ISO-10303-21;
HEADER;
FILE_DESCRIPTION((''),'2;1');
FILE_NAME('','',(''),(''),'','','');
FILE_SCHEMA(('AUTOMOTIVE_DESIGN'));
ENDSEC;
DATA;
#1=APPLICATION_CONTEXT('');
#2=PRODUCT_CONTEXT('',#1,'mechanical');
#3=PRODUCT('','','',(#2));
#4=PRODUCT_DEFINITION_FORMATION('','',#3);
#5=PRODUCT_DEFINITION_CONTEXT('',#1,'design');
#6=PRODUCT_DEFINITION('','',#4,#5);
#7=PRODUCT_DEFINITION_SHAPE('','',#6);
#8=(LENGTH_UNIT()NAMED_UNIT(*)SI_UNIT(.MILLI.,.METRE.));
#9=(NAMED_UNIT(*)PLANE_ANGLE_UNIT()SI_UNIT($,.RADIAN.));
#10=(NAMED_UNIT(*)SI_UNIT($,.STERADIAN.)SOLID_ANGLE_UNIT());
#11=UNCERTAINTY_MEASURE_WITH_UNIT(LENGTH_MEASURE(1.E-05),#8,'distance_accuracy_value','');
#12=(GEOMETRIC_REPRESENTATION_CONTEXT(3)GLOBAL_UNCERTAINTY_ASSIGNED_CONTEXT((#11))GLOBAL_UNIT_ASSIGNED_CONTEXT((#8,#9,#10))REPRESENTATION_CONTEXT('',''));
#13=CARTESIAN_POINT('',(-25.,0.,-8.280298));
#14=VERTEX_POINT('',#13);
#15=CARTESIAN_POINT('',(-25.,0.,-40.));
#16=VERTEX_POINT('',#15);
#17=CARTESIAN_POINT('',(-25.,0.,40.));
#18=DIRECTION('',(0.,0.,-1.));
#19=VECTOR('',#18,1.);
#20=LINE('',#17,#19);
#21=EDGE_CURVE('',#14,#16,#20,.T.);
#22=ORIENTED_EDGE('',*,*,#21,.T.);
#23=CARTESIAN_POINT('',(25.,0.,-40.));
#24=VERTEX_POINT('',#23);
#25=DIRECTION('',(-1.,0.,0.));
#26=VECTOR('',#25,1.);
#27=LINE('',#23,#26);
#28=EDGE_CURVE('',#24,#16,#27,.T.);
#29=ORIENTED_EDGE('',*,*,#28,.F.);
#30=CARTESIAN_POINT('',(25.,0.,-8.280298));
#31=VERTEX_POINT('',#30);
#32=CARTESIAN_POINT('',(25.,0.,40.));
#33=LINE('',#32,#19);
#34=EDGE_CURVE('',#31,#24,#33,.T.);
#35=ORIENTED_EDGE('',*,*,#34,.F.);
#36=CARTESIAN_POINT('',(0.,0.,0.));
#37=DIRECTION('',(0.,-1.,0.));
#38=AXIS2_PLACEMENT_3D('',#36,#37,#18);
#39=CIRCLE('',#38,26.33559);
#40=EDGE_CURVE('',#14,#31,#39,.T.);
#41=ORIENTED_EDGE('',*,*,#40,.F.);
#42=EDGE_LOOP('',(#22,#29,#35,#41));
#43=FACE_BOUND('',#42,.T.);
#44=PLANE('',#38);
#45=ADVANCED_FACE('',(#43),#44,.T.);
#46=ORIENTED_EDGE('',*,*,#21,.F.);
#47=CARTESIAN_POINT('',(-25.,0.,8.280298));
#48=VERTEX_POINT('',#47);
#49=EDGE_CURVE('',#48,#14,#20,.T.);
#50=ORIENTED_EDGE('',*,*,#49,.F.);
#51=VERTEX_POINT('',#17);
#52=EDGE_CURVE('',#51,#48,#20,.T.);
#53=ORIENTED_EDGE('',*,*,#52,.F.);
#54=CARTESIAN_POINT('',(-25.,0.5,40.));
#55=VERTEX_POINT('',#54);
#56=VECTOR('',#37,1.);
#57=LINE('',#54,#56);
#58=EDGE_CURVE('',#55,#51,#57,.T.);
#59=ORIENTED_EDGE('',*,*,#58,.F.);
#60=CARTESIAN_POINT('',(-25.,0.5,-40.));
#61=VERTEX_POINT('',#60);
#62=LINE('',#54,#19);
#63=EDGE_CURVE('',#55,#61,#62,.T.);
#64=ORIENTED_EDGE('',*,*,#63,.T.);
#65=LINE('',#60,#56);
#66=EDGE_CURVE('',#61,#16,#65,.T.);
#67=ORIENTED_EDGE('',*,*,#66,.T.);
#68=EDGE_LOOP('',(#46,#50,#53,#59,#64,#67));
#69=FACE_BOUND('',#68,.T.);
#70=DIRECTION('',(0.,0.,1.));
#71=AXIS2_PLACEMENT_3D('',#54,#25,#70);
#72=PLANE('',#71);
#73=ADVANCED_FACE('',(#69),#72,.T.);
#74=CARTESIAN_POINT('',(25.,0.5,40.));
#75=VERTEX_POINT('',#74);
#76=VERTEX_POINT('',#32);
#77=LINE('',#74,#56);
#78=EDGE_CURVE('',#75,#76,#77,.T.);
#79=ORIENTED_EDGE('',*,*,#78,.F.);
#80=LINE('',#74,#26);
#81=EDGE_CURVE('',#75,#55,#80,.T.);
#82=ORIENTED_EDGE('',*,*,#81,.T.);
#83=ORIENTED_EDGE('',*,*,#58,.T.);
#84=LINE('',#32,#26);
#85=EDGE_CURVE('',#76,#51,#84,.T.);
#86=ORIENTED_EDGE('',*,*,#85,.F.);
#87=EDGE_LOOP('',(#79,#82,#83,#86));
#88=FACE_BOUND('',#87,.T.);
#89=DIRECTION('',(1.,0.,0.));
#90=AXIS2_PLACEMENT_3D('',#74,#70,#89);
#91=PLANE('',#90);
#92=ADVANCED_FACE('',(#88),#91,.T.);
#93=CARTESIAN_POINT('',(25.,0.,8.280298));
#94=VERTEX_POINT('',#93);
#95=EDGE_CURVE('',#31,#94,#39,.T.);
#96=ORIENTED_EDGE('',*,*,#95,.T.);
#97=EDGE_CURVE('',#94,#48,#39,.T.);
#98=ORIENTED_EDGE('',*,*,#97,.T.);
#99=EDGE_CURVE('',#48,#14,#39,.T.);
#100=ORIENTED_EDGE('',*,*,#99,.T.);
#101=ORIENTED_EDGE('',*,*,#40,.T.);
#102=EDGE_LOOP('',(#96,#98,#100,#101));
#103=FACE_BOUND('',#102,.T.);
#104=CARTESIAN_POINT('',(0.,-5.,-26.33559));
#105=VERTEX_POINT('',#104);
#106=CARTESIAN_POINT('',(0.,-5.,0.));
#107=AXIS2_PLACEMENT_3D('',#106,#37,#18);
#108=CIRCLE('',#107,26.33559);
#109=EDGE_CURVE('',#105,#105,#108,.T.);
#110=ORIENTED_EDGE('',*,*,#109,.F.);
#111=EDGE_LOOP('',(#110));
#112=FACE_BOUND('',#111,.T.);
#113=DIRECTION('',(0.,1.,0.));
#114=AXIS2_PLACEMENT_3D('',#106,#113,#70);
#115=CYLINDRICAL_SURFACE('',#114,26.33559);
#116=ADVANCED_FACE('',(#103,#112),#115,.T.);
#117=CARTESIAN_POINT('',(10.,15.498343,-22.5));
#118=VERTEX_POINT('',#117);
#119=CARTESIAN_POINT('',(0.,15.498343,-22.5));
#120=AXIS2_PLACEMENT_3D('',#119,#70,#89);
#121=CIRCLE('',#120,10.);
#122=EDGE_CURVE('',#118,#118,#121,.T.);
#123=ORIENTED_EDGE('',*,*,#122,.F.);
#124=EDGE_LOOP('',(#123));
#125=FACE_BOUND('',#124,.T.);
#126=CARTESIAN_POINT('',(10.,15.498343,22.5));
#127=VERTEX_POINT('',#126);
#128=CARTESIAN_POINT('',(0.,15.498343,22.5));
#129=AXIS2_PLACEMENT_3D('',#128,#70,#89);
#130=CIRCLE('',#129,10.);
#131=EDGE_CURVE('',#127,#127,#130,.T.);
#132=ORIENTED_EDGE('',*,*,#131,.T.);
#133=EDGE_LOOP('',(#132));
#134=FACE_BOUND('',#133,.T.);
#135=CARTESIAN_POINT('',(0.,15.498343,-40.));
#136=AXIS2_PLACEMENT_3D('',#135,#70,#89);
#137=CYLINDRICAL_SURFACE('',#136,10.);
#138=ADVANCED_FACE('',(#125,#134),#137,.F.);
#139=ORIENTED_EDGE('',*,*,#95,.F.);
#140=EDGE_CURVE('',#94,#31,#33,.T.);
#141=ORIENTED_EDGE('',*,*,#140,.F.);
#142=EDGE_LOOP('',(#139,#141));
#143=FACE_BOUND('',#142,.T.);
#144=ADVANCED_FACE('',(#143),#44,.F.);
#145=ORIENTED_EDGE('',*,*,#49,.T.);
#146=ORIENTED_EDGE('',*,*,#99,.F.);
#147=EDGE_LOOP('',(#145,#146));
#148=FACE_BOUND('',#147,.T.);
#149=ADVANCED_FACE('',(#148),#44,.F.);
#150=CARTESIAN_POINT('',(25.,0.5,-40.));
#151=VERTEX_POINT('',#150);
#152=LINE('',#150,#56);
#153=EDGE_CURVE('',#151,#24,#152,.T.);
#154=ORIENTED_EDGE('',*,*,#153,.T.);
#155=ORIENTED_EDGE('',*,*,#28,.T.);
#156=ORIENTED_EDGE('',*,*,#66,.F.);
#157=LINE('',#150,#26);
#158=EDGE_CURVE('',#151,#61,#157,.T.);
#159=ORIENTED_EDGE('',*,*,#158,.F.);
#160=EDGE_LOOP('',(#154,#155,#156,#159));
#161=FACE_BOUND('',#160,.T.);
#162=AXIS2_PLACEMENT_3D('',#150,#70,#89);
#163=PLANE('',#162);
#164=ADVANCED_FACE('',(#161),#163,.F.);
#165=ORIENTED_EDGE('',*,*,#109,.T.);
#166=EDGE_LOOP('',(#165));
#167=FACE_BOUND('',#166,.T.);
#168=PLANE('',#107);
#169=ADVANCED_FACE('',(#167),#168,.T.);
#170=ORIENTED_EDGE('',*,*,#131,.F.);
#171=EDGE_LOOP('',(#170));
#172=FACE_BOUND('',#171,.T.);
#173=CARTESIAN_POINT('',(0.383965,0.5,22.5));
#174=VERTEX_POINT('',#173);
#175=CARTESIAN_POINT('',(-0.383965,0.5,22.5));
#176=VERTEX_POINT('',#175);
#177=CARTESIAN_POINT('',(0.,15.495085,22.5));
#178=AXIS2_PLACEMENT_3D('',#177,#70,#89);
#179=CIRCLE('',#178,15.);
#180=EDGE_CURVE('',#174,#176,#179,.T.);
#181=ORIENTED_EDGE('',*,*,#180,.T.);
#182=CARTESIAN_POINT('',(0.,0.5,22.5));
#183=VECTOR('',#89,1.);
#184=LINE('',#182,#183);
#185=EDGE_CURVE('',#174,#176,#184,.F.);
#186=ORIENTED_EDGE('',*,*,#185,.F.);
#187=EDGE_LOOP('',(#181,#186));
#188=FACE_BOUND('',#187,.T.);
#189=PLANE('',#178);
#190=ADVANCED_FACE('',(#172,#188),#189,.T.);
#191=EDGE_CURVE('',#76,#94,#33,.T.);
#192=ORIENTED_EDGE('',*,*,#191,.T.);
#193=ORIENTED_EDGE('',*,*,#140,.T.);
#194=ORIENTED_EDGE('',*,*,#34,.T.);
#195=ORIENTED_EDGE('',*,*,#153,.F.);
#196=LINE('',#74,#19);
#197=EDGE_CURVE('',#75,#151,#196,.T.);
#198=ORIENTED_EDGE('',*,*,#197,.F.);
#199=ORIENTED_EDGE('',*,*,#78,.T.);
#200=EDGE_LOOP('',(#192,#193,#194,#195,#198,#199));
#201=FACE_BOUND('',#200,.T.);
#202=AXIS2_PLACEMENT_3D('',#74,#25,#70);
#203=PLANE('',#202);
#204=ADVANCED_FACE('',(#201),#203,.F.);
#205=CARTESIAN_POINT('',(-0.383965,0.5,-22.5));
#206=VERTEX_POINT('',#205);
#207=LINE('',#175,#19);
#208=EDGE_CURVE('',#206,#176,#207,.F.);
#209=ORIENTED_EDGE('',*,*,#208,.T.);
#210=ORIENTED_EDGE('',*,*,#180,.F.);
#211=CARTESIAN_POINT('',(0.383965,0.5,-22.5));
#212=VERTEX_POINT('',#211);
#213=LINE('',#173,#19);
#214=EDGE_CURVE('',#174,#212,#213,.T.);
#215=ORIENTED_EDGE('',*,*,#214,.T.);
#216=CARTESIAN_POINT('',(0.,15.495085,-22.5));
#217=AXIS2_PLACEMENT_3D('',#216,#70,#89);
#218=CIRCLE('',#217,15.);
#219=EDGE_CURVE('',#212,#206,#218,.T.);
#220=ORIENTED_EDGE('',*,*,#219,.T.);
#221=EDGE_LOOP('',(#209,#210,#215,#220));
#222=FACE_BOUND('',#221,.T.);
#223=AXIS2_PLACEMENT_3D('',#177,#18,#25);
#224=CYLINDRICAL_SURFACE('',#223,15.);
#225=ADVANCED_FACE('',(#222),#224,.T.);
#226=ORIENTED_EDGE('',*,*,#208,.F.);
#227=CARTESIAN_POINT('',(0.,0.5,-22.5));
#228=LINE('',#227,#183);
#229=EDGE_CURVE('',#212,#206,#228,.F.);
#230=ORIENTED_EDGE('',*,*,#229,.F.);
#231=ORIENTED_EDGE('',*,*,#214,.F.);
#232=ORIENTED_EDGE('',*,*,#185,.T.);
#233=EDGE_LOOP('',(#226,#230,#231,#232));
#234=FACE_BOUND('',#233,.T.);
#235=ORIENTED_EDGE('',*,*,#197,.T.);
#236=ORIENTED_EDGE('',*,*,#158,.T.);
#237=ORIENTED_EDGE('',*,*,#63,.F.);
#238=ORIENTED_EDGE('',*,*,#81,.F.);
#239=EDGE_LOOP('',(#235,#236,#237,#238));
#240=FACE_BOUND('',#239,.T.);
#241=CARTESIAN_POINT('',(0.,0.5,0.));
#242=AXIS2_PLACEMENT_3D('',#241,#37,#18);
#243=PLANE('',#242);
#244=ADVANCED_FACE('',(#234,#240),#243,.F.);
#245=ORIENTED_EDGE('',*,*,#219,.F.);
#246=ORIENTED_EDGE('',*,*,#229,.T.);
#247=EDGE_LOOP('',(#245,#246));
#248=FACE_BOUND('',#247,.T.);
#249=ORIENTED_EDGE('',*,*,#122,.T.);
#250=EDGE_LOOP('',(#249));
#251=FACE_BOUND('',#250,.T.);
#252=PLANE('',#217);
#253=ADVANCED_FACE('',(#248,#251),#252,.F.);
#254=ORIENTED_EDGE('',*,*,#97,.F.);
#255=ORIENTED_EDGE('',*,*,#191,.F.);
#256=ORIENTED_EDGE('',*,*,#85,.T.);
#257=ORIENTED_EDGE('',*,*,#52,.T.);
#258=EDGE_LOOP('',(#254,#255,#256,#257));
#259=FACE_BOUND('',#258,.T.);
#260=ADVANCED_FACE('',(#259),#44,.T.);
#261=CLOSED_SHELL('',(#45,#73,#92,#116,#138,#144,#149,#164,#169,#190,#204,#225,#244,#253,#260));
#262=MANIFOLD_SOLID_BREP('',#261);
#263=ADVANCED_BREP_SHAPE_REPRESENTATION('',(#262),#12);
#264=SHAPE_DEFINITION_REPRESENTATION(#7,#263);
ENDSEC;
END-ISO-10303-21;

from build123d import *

# Parameters (mm, degrees)
SKETCH1_W           = 50
SKETCH1_H           = 80
BOSS_EXTRUDE1_DEPTH = 0.5
SKETCH4_R           = 26.335590494
BOSS_EXTRUDE2_DEPTH = 5
SKETCH5_R           = 15
BOSS_EXTRUDE3_DEPTH = 22.5
SKETCH7_R           = 10
CUT_EXTRUDE2_DEPTH  = 75.3623798


with BuildPart() as part:
    # Sketch1 → Boss-Extrude1 (new body)
    with BuildSketch(Plane(origin=(0, 0, 0), x_dir=(1, 0, 0), z_dir=(0, 1, 0))):
        Rectangle(SKETCH1_W, SKETCH1_H)
    extrude(amount=BOSS_EXTRUDE1_DEPTH)

    # Sketch4 → Boss-Extrude2 (add)
    with BuildSketch(Plane.XZ):
        with Locations(Location((0, 0, 0), (0, 0, 161.674514968))):
            Circle(SKETCH4_R)
    extrude(amount=BOSS_EXTRUDE2_DEPTH)

    # Sketch5 → Boss-Extrude3 (add, symmetric)
    with BuildSketch(Plane.XY):
        with Locations((0, 15.495084895)):
            Circle(SKETCH5_R)
    extrude(amount=BOSS_EXTRUDE3_DEPTH, both=True)

    # Sketch7 → Cut-Extrude2 (cut, through all)
    with BuildSketch(Plane.XY.offset(22.5)):
        with Locations((0, 15.498342616)):
            Circle(SKETCH7_R)
    extrude(amount=-CUT_EXTRUDE2_DEPTH, mode=Mode.SUBTRACT)


solid = part.part
